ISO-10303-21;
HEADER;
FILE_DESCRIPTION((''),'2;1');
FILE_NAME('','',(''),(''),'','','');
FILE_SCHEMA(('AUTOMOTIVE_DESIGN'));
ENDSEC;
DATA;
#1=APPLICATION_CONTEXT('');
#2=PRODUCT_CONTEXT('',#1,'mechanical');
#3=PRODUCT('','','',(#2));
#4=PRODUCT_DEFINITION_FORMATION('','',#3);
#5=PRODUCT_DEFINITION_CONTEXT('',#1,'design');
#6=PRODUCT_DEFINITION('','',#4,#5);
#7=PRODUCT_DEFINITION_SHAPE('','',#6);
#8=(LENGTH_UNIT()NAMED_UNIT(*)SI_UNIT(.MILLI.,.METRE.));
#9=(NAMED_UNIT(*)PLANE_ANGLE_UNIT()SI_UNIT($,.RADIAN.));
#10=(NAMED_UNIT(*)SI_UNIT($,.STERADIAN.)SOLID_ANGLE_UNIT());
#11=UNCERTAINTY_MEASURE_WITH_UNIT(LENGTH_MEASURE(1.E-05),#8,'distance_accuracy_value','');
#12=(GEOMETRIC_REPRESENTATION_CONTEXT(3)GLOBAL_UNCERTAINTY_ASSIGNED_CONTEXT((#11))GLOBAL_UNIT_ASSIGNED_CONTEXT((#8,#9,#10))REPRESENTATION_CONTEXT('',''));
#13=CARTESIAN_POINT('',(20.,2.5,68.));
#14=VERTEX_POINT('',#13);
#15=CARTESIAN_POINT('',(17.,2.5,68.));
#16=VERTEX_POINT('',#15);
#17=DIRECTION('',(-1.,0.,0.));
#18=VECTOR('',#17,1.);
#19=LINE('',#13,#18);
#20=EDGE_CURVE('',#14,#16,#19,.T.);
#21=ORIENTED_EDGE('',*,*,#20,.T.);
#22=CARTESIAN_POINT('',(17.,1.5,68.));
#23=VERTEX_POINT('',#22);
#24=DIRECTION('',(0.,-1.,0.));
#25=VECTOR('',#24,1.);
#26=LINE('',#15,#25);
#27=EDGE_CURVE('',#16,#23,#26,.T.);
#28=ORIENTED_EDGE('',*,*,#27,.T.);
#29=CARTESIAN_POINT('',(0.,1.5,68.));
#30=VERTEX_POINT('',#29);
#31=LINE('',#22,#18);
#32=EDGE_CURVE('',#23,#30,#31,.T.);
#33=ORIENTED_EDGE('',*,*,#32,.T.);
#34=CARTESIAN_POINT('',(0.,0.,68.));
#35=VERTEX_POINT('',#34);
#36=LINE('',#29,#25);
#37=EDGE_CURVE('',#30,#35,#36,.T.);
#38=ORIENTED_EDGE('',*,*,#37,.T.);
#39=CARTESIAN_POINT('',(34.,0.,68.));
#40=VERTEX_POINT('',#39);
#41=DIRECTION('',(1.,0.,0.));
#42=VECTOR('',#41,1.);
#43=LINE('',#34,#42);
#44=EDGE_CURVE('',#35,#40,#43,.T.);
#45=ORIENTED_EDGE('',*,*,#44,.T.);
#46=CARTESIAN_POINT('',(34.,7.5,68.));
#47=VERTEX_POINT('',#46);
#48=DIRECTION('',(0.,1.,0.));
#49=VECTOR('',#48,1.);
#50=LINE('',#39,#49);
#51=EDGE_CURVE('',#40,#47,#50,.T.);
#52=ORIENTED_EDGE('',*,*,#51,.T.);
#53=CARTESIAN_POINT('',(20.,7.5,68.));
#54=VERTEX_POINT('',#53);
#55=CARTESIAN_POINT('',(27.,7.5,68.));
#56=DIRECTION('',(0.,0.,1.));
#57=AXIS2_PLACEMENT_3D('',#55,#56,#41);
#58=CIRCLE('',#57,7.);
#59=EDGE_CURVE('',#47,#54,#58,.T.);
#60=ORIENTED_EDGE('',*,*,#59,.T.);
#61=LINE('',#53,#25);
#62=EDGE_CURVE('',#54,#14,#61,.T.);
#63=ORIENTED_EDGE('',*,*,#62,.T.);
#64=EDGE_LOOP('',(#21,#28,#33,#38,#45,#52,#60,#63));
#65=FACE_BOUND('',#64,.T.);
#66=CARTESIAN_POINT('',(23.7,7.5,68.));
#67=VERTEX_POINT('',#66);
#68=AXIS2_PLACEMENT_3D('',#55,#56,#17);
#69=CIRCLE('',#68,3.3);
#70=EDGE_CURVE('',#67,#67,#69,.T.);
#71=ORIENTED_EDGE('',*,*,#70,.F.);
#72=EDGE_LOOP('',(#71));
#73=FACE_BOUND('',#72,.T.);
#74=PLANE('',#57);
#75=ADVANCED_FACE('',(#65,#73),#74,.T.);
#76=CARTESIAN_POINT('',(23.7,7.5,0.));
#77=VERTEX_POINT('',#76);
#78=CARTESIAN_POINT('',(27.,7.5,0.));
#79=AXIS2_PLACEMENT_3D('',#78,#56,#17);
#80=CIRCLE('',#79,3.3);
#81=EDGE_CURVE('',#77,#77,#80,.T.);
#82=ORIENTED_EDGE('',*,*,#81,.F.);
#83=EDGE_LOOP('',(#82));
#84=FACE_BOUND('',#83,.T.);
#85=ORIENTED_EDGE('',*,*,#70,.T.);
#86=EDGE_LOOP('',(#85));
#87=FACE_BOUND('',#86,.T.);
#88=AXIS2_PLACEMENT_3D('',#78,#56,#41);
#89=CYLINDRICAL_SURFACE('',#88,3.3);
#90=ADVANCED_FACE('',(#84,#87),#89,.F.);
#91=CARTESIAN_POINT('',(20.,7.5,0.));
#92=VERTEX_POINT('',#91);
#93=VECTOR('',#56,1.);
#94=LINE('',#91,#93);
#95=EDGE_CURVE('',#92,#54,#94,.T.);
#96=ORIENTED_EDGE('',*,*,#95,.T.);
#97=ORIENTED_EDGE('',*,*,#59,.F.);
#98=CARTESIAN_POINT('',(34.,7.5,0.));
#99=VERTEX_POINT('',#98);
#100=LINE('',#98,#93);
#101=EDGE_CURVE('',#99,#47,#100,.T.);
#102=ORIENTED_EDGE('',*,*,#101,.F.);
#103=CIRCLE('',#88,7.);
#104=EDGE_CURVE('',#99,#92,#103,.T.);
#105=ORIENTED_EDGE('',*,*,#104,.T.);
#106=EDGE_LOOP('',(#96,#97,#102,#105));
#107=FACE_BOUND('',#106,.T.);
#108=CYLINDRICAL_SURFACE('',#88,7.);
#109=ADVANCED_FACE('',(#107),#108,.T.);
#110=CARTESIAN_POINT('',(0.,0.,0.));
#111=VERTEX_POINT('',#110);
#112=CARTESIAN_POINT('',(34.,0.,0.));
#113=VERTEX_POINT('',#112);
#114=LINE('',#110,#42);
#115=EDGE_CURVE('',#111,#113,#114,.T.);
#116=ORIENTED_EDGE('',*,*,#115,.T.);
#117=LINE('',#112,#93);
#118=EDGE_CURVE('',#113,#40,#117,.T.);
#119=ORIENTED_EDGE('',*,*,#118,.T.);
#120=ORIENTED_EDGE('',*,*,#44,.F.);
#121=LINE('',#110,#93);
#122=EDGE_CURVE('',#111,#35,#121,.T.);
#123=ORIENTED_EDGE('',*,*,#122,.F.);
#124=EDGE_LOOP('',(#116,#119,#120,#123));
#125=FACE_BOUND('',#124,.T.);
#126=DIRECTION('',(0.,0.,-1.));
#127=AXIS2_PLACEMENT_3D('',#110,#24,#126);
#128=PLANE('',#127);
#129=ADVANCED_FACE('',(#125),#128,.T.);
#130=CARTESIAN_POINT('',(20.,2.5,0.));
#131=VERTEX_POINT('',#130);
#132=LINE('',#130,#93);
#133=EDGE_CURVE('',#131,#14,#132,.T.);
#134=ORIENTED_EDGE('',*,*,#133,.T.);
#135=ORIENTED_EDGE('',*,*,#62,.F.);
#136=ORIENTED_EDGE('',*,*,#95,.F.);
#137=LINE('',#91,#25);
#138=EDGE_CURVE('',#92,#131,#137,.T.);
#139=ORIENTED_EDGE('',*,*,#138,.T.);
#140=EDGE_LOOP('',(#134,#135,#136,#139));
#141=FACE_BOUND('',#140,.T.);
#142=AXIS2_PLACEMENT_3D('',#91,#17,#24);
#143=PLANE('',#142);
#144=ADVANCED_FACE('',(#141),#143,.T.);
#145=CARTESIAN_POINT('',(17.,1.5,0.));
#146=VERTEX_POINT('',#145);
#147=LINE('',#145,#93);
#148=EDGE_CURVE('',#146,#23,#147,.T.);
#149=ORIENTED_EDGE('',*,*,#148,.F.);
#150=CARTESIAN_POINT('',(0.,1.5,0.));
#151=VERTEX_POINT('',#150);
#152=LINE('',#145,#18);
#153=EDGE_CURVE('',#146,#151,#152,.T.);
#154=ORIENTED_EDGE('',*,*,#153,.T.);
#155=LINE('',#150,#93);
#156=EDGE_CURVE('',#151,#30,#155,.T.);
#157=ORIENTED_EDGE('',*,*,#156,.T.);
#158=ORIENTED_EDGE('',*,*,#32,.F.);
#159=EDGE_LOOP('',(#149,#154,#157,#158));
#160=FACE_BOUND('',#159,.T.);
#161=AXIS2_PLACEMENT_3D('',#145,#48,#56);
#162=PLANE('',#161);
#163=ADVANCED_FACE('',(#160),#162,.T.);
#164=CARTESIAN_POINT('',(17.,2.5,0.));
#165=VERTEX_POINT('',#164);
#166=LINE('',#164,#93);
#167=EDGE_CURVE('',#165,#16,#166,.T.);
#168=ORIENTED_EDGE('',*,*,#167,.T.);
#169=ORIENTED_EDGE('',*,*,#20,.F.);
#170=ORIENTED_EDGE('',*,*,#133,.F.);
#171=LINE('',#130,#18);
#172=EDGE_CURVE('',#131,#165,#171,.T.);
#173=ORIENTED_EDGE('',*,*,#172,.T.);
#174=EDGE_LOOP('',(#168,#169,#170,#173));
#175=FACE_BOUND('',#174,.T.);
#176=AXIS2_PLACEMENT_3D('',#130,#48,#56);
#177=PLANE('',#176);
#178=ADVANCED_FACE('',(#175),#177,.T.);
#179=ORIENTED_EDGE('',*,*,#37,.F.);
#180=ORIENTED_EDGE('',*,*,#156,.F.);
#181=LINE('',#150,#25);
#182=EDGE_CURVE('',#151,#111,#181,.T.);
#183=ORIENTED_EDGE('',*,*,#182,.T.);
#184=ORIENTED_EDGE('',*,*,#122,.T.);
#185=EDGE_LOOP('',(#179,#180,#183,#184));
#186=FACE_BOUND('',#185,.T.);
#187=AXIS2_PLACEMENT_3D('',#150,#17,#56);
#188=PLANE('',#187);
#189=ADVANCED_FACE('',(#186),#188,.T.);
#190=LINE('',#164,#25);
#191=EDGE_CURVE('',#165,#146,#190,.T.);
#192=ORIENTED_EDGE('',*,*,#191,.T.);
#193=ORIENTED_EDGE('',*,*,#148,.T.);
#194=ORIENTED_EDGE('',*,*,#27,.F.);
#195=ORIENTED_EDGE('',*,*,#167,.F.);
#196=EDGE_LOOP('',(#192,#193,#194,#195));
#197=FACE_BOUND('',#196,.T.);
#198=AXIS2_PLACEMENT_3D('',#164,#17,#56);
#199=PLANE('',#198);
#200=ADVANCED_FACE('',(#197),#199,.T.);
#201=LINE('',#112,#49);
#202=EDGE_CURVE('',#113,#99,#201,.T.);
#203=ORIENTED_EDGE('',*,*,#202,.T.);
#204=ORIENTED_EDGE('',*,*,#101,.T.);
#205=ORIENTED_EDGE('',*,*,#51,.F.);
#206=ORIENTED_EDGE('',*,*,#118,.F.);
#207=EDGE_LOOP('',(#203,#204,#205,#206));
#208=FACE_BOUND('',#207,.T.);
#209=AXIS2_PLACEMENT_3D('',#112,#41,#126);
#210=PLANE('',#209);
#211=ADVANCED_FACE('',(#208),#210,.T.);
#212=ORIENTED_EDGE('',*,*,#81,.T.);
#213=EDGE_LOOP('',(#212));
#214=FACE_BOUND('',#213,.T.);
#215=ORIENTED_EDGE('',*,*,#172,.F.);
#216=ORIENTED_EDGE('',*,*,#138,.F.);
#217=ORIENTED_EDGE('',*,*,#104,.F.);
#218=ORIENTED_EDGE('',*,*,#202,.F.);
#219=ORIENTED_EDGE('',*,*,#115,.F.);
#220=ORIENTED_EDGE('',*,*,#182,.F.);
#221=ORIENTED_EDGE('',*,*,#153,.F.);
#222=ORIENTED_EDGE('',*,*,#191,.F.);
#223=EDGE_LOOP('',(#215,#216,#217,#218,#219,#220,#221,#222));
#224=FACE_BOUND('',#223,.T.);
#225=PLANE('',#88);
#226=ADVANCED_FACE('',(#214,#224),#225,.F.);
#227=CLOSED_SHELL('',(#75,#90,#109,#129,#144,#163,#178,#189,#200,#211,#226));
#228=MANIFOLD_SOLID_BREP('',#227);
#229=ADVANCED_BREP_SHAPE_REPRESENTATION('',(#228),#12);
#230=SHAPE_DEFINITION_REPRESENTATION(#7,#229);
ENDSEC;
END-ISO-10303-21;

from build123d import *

# Parameters (mm, degrees)
SKETCH_1_R      = 3.3
EXTRUDE_1_DEPTH = 68


with BuildPart() as part:
    # Эскиз1 → Бобышка-Вытянуть1 (new body)
    with BuildSketch(Plane.XY.offset(68)):
        with BuildLine():
            Line((20, 7.5), (20, 2.5))
            Line((20, 2.5), (17, 2.5))
            Line((17, 2.5), (17, 1.5))
            Line((17, 1.5), (0, 1.5))
            Line((0, 1.5), (0, 0))
            Line((0, 0), (34, 0))
            Line((34, 0), (34, 7.5))
            ThreePointArc((34, 7.5), (27, 14.5), (20, 7.5))
        make_face()
        with Locations(Location((27, 7.5, 0), (0, 0, 180))):
            Circle(SKETCH_1_R, mode=Mode.SUBTRACT)
    extrude(amount=-EXTRUDE_1_DEPTH)


solid = part.part
